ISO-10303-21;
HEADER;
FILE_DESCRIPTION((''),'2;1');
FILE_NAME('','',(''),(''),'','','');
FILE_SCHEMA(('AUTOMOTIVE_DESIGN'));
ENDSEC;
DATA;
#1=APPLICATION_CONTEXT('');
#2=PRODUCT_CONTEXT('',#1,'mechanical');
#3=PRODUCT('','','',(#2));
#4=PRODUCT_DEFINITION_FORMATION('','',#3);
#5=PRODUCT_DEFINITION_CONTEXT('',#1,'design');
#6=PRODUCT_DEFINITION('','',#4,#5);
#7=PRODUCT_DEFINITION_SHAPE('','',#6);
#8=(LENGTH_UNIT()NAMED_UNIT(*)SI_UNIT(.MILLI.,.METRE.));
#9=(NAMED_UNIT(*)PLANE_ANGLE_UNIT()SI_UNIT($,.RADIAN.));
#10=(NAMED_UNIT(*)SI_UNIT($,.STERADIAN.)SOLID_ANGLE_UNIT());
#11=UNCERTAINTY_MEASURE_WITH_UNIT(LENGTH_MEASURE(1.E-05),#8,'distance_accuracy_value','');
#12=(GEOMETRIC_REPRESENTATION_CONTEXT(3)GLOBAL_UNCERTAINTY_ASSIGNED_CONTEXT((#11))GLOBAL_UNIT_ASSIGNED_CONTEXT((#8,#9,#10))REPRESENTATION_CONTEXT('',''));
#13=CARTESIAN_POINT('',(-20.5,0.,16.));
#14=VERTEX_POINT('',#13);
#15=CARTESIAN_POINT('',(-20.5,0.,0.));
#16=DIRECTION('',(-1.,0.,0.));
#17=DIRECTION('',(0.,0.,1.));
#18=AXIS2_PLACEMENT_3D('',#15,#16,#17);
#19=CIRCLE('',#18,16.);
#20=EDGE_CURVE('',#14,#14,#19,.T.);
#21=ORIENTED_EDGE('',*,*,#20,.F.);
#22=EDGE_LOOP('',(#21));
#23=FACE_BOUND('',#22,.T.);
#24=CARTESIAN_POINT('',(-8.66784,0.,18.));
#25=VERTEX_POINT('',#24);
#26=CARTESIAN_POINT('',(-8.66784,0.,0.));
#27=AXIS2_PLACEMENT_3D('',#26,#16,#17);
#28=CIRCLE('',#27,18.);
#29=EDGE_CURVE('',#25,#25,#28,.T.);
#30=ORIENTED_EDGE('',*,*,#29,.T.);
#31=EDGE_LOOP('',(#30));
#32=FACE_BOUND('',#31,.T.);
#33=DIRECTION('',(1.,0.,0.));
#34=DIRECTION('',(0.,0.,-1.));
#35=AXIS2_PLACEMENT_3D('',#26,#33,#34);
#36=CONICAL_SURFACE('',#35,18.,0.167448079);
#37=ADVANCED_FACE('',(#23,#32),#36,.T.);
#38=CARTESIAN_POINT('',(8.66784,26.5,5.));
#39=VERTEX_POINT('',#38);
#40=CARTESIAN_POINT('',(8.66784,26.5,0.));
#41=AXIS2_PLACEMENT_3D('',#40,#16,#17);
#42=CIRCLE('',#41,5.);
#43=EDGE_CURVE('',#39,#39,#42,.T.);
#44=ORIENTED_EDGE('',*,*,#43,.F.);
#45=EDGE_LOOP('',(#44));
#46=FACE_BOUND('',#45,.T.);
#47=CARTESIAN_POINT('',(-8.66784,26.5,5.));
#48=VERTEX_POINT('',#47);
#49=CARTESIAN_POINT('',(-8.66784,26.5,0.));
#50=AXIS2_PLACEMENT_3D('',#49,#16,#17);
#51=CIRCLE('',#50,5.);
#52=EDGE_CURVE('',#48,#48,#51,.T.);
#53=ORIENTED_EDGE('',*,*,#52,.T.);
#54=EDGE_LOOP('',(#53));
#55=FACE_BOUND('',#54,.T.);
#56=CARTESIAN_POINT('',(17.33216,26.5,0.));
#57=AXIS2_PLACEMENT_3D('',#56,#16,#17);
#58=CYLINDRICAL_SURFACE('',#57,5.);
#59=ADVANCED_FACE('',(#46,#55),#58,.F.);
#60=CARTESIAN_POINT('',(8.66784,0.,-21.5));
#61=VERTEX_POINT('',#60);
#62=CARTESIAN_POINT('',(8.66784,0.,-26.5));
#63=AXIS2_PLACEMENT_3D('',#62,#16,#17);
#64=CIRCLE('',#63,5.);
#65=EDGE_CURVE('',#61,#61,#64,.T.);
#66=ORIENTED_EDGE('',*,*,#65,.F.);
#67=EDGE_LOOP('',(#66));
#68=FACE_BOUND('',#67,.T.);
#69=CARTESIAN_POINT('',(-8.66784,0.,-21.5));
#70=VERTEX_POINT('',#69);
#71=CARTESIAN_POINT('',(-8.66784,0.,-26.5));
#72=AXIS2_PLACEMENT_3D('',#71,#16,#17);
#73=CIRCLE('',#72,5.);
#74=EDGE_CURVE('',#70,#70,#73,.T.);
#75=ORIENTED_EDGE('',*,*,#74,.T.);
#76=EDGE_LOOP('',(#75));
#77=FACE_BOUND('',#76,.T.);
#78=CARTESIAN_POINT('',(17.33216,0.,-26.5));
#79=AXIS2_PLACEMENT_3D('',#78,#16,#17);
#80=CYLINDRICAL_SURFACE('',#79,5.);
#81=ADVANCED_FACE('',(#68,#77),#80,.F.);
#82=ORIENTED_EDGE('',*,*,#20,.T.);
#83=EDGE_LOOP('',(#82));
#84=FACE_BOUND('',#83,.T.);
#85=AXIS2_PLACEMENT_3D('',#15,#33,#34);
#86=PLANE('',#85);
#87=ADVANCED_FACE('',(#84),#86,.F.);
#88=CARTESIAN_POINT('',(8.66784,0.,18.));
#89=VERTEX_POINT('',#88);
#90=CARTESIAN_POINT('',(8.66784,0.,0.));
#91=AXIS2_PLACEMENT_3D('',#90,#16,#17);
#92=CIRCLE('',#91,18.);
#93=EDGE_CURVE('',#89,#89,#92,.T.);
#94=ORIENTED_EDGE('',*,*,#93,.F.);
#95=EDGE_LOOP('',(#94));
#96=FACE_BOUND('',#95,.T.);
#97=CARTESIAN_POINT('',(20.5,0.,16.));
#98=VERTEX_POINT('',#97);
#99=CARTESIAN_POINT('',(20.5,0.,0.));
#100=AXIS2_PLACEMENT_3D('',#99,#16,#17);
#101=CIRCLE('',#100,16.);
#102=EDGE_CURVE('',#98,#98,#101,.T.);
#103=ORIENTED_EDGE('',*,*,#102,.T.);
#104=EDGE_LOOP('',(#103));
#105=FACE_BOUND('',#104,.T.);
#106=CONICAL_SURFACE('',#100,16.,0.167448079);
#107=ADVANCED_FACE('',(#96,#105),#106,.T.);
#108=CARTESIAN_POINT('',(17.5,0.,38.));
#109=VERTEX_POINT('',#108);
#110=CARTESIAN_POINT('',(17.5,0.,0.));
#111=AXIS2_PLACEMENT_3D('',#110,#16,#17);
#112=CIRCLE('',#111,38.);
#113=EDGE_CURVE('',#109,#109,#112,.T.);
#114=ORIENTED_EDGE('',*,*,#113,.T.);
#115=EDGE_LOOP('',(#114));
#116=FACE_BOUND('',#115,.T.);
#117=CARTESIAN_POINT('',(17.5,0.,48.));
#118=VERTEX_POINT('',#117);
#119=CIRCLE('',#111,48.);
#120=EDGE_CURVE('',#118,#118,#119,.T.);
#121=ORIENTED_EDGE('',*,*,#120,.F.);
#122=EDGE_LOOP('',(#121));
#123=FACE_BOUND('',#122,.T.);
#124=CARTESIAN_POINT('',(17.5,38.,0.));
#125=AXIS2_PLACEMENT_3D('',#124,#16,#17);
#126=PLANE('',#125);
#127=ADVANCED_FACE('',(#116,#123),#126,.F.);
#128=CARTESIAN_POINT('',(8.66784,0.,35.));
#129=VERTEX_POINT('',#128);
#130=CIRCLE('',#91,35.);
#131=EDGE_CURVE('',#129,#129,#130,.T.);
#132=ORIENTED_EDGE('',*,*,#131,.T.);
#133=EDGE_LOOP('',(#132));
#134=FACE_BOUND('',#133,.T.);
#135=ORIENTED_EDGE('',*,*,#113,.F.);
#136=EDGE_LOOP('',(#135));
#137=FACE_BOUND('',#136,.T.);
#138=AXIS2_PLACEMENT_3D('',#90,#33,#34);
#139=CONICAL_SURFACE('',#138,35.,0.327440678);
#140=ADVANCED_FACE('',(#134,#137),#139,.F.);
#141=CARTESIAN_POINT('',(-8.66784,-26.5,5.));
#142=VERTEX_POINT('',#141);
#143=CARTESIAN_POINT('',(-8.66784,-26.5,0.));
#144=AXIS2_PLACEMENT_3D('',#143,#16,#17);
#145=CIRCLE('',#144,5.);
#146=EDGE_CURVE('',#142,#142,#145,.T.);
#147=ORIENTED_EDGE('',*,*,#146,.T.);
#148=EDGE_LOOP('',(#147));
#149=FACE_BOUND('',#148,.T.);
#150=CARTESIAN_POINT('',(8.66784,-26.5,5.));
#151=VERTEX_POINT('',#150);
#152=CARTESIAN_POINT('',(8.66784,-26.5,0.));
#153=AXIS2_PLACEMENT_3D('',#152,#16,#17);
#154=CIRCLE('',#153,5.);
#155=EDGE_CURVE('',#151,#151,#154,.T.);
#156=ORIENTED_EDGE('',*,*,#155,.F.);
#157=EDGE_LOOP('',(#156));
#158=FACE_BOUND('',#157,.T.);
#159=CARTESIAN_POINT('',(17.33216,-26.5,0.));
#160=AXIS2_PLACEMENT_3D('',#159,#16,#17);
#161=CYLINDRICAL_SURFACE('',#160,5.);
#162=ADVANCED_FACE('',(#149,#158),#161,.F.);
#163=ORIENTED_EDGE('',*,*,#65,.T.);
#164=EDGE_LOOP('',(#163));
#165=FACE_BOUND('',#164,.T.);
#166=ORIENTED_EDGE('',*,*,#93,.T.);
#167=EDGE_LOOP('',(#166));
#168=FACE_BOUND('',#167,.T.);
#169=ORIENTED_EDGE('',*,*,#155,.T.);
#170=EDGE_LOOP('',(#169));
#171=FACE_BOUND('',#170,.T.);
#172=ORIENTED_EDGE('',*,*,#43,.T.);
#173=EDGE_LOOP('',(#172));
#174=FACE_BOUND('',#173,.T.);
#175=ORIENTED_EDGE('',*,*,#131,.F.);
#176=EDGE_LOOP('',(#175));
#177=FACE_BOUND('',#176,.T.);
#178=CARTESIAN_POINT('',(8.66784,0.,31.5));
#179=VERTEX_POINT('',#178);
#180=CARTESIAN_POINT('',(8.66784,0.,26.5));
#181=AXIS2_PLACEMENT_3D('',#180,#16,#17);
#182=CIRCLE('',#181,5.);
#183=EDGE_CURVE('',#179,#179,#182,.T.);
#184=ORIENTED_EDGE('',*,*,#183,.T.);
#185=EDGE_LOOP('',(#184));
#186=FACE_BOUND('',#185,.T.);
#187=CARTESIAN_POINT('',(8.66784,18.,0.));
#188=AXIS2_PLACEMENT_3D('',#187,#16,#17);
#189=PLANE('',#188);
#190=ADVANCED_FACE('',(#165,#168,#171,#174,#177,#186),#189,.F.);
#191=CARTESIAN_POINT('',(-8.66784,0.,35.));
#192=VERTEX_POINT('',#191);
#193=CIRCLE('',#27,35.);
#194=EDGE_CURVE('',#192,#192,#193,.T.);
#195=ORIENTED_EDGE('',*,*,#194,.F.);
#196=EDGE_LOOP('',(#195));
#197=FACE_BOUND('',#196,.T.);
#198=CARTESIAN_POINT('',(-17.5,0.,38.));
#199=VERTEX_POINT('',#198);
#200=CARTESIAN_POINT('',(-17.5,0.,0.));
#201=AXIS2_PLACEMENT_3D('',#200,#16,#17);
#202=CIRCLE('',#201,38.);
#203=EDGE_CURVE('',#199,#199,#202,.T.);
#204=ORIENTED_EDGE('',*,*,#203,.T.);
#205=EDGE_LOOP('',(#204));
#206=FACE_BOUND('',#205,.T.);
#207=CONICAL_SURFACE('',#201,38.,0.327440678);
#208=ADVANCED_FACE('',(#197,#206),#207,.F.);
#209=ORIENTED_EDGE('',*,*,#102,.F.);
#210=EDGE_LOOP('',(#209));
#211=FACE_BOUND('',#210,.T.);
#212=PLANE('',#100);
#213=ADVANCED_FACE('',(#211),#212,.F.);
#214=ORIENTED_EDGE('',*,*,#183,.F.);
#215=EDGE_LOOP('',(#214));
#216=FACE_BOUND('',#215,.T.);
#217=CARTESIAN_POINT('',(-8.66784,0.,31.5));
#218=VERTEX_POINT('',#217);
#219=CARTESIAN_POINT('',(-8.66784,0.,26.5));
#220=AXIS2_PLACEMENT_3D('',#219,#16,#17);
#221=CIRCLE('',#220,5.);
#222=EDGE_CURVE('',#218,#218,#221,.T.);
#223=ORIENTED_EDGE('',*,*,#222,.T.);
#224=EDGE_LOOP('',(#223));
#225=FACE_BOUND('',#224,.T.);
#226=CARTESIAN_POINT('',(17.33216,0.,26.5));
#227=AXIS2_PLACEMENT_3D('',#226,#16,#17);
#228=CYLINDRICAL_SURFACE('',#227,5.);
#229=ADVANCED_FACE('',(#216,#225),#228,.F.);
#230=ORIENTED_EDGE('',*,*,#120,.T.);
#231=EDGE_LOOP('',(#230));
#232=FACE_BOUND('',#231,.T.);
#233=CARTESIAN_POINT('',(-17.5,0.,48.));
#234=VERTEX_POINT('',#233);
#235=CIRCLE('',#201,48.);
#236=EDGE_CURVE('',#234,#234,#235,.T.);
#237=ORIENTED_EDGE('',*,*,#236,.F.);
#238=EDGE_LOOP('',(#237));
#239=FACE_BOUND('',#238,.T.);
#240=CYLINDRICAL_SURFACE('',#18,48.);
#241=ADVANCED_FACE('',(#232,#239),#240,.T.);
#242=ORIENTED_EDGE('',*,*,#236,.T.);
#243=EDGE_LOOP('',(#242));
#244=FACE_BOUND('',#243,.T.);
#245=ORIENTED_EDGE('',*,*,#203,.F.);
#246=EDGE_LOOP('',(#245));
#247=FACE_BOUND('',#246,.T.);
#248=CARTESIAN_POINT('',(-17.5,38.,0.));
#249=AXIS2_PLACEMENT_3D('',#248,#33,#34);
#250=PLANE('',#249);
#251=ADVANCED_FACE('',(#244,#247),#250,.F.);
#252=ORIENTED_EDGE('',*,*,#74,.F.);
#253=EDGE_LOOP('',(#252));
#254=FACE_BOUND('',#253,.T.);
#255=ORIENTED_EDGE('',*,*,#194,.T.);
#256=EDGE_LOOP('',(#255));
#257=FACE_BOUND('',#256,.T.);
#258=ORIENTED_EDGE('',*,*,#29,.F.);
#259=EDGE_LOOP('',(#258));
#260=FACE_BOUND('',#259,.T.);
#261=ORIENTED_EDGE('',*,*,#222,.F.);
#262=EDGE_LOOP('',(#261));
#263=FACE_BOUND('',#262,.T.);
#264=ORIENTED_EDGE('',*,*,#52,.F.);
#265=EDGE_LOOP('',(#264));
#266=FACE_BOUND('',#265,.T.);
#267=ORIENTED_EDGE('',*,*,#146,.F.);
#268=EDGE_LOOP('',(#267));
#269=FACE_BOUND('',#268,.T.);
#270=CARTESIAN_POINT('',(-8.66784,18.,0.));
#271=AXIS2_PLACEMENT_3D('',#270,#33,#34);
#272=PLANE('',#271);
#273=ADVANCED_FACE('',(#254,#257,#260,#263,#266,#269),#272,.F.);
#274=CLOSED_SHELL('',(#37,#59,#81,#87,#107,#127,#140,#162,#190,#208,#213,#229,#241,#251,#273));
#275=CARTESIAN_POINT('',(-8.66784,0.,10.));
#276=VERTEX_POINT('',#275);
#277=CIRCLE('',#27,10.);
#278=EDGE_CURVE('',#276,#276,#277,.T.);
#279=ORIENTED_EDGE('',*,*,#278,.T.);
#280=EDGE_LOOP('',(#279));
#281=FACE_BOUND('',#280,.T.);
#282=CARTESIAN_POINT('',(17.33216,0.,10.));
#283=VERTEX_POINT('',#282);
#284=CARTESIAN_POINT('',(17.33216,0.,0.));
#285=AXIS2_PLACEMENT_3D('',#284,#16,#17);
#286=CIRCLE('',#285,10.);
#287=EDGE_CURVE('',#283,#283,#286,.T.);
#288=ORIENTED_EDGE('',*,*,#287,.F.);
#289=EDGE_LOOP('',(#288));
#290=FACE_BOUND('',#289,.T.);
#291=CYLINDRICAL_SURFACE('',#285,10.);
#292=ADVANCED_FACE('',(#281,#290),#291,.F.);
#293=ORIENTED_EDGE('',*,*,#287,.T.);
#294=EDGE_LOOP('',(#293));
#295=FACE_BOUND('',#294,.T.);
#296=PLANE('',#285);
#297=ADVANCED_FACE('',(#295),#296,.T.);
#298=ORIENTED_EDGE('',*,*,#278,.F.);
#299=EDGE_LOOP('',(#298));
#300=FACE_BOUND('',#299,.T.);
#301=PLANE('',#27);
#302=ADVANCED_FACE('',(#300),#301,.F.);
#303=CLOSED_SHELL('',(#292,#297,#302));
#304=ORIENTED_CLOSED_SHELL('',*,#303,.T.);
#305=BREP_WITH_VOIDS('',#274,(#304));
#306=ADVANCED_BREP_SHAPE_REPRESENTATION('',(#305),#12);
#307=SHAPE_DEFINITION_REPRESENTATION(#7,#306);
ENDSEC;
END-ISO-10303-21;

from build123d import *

# Parameters (mm, degrees)
SKETCH2_R          = 5
SKETCH2_R_2        = 10
CUT_EXTRUDE1_DEPTH = 26


with BuildPart() as part:
    # Sketch1 → Revolve1 (revolve)
    with BuildSketch(Plane.XY, mode=Mode.PRIVATE) as revolve1_sk:
        Polygon((-20.5, 0), (-20.5, 16), (-8.667840434, 18), (-8.667840434, 35), (-17.5, 38), (-17.5, 48), (17.5, 48), (17.5, 38), (8.667840434, 35), (8.667840434, 18), (20.5, 16), (20.5, 0), align=None)
    revolve(revolve1_sk.sketch.rotate(Axis((-20.5, 0, 0), (1, 0, 0)), 90), axis=Axis((-20.5, 0, 0), (1, 0, 0)))

    # Sketch2 → Cut-Extrude1 (cut)
    with BuildSketch(Plane.ZY.offset(8.667840434)):
        with Locations((0, 26.5)):
            Circle(SKETCH2_R)
        with Locations((26.5, 0)):
            Circle(SKETCH2_R)
        with Locations((0, -26.5)):
            Circle(SKETCH2_R)
        with Locations((-26.5, 0)):
            Circle(SKETCH2_R)
        Circle(SKETCH2_R_2)
    extrude(amount=-CUT_EXTRUDE1_DEPTH, mode=Mode.SUBTRACT)


solid = part.part
